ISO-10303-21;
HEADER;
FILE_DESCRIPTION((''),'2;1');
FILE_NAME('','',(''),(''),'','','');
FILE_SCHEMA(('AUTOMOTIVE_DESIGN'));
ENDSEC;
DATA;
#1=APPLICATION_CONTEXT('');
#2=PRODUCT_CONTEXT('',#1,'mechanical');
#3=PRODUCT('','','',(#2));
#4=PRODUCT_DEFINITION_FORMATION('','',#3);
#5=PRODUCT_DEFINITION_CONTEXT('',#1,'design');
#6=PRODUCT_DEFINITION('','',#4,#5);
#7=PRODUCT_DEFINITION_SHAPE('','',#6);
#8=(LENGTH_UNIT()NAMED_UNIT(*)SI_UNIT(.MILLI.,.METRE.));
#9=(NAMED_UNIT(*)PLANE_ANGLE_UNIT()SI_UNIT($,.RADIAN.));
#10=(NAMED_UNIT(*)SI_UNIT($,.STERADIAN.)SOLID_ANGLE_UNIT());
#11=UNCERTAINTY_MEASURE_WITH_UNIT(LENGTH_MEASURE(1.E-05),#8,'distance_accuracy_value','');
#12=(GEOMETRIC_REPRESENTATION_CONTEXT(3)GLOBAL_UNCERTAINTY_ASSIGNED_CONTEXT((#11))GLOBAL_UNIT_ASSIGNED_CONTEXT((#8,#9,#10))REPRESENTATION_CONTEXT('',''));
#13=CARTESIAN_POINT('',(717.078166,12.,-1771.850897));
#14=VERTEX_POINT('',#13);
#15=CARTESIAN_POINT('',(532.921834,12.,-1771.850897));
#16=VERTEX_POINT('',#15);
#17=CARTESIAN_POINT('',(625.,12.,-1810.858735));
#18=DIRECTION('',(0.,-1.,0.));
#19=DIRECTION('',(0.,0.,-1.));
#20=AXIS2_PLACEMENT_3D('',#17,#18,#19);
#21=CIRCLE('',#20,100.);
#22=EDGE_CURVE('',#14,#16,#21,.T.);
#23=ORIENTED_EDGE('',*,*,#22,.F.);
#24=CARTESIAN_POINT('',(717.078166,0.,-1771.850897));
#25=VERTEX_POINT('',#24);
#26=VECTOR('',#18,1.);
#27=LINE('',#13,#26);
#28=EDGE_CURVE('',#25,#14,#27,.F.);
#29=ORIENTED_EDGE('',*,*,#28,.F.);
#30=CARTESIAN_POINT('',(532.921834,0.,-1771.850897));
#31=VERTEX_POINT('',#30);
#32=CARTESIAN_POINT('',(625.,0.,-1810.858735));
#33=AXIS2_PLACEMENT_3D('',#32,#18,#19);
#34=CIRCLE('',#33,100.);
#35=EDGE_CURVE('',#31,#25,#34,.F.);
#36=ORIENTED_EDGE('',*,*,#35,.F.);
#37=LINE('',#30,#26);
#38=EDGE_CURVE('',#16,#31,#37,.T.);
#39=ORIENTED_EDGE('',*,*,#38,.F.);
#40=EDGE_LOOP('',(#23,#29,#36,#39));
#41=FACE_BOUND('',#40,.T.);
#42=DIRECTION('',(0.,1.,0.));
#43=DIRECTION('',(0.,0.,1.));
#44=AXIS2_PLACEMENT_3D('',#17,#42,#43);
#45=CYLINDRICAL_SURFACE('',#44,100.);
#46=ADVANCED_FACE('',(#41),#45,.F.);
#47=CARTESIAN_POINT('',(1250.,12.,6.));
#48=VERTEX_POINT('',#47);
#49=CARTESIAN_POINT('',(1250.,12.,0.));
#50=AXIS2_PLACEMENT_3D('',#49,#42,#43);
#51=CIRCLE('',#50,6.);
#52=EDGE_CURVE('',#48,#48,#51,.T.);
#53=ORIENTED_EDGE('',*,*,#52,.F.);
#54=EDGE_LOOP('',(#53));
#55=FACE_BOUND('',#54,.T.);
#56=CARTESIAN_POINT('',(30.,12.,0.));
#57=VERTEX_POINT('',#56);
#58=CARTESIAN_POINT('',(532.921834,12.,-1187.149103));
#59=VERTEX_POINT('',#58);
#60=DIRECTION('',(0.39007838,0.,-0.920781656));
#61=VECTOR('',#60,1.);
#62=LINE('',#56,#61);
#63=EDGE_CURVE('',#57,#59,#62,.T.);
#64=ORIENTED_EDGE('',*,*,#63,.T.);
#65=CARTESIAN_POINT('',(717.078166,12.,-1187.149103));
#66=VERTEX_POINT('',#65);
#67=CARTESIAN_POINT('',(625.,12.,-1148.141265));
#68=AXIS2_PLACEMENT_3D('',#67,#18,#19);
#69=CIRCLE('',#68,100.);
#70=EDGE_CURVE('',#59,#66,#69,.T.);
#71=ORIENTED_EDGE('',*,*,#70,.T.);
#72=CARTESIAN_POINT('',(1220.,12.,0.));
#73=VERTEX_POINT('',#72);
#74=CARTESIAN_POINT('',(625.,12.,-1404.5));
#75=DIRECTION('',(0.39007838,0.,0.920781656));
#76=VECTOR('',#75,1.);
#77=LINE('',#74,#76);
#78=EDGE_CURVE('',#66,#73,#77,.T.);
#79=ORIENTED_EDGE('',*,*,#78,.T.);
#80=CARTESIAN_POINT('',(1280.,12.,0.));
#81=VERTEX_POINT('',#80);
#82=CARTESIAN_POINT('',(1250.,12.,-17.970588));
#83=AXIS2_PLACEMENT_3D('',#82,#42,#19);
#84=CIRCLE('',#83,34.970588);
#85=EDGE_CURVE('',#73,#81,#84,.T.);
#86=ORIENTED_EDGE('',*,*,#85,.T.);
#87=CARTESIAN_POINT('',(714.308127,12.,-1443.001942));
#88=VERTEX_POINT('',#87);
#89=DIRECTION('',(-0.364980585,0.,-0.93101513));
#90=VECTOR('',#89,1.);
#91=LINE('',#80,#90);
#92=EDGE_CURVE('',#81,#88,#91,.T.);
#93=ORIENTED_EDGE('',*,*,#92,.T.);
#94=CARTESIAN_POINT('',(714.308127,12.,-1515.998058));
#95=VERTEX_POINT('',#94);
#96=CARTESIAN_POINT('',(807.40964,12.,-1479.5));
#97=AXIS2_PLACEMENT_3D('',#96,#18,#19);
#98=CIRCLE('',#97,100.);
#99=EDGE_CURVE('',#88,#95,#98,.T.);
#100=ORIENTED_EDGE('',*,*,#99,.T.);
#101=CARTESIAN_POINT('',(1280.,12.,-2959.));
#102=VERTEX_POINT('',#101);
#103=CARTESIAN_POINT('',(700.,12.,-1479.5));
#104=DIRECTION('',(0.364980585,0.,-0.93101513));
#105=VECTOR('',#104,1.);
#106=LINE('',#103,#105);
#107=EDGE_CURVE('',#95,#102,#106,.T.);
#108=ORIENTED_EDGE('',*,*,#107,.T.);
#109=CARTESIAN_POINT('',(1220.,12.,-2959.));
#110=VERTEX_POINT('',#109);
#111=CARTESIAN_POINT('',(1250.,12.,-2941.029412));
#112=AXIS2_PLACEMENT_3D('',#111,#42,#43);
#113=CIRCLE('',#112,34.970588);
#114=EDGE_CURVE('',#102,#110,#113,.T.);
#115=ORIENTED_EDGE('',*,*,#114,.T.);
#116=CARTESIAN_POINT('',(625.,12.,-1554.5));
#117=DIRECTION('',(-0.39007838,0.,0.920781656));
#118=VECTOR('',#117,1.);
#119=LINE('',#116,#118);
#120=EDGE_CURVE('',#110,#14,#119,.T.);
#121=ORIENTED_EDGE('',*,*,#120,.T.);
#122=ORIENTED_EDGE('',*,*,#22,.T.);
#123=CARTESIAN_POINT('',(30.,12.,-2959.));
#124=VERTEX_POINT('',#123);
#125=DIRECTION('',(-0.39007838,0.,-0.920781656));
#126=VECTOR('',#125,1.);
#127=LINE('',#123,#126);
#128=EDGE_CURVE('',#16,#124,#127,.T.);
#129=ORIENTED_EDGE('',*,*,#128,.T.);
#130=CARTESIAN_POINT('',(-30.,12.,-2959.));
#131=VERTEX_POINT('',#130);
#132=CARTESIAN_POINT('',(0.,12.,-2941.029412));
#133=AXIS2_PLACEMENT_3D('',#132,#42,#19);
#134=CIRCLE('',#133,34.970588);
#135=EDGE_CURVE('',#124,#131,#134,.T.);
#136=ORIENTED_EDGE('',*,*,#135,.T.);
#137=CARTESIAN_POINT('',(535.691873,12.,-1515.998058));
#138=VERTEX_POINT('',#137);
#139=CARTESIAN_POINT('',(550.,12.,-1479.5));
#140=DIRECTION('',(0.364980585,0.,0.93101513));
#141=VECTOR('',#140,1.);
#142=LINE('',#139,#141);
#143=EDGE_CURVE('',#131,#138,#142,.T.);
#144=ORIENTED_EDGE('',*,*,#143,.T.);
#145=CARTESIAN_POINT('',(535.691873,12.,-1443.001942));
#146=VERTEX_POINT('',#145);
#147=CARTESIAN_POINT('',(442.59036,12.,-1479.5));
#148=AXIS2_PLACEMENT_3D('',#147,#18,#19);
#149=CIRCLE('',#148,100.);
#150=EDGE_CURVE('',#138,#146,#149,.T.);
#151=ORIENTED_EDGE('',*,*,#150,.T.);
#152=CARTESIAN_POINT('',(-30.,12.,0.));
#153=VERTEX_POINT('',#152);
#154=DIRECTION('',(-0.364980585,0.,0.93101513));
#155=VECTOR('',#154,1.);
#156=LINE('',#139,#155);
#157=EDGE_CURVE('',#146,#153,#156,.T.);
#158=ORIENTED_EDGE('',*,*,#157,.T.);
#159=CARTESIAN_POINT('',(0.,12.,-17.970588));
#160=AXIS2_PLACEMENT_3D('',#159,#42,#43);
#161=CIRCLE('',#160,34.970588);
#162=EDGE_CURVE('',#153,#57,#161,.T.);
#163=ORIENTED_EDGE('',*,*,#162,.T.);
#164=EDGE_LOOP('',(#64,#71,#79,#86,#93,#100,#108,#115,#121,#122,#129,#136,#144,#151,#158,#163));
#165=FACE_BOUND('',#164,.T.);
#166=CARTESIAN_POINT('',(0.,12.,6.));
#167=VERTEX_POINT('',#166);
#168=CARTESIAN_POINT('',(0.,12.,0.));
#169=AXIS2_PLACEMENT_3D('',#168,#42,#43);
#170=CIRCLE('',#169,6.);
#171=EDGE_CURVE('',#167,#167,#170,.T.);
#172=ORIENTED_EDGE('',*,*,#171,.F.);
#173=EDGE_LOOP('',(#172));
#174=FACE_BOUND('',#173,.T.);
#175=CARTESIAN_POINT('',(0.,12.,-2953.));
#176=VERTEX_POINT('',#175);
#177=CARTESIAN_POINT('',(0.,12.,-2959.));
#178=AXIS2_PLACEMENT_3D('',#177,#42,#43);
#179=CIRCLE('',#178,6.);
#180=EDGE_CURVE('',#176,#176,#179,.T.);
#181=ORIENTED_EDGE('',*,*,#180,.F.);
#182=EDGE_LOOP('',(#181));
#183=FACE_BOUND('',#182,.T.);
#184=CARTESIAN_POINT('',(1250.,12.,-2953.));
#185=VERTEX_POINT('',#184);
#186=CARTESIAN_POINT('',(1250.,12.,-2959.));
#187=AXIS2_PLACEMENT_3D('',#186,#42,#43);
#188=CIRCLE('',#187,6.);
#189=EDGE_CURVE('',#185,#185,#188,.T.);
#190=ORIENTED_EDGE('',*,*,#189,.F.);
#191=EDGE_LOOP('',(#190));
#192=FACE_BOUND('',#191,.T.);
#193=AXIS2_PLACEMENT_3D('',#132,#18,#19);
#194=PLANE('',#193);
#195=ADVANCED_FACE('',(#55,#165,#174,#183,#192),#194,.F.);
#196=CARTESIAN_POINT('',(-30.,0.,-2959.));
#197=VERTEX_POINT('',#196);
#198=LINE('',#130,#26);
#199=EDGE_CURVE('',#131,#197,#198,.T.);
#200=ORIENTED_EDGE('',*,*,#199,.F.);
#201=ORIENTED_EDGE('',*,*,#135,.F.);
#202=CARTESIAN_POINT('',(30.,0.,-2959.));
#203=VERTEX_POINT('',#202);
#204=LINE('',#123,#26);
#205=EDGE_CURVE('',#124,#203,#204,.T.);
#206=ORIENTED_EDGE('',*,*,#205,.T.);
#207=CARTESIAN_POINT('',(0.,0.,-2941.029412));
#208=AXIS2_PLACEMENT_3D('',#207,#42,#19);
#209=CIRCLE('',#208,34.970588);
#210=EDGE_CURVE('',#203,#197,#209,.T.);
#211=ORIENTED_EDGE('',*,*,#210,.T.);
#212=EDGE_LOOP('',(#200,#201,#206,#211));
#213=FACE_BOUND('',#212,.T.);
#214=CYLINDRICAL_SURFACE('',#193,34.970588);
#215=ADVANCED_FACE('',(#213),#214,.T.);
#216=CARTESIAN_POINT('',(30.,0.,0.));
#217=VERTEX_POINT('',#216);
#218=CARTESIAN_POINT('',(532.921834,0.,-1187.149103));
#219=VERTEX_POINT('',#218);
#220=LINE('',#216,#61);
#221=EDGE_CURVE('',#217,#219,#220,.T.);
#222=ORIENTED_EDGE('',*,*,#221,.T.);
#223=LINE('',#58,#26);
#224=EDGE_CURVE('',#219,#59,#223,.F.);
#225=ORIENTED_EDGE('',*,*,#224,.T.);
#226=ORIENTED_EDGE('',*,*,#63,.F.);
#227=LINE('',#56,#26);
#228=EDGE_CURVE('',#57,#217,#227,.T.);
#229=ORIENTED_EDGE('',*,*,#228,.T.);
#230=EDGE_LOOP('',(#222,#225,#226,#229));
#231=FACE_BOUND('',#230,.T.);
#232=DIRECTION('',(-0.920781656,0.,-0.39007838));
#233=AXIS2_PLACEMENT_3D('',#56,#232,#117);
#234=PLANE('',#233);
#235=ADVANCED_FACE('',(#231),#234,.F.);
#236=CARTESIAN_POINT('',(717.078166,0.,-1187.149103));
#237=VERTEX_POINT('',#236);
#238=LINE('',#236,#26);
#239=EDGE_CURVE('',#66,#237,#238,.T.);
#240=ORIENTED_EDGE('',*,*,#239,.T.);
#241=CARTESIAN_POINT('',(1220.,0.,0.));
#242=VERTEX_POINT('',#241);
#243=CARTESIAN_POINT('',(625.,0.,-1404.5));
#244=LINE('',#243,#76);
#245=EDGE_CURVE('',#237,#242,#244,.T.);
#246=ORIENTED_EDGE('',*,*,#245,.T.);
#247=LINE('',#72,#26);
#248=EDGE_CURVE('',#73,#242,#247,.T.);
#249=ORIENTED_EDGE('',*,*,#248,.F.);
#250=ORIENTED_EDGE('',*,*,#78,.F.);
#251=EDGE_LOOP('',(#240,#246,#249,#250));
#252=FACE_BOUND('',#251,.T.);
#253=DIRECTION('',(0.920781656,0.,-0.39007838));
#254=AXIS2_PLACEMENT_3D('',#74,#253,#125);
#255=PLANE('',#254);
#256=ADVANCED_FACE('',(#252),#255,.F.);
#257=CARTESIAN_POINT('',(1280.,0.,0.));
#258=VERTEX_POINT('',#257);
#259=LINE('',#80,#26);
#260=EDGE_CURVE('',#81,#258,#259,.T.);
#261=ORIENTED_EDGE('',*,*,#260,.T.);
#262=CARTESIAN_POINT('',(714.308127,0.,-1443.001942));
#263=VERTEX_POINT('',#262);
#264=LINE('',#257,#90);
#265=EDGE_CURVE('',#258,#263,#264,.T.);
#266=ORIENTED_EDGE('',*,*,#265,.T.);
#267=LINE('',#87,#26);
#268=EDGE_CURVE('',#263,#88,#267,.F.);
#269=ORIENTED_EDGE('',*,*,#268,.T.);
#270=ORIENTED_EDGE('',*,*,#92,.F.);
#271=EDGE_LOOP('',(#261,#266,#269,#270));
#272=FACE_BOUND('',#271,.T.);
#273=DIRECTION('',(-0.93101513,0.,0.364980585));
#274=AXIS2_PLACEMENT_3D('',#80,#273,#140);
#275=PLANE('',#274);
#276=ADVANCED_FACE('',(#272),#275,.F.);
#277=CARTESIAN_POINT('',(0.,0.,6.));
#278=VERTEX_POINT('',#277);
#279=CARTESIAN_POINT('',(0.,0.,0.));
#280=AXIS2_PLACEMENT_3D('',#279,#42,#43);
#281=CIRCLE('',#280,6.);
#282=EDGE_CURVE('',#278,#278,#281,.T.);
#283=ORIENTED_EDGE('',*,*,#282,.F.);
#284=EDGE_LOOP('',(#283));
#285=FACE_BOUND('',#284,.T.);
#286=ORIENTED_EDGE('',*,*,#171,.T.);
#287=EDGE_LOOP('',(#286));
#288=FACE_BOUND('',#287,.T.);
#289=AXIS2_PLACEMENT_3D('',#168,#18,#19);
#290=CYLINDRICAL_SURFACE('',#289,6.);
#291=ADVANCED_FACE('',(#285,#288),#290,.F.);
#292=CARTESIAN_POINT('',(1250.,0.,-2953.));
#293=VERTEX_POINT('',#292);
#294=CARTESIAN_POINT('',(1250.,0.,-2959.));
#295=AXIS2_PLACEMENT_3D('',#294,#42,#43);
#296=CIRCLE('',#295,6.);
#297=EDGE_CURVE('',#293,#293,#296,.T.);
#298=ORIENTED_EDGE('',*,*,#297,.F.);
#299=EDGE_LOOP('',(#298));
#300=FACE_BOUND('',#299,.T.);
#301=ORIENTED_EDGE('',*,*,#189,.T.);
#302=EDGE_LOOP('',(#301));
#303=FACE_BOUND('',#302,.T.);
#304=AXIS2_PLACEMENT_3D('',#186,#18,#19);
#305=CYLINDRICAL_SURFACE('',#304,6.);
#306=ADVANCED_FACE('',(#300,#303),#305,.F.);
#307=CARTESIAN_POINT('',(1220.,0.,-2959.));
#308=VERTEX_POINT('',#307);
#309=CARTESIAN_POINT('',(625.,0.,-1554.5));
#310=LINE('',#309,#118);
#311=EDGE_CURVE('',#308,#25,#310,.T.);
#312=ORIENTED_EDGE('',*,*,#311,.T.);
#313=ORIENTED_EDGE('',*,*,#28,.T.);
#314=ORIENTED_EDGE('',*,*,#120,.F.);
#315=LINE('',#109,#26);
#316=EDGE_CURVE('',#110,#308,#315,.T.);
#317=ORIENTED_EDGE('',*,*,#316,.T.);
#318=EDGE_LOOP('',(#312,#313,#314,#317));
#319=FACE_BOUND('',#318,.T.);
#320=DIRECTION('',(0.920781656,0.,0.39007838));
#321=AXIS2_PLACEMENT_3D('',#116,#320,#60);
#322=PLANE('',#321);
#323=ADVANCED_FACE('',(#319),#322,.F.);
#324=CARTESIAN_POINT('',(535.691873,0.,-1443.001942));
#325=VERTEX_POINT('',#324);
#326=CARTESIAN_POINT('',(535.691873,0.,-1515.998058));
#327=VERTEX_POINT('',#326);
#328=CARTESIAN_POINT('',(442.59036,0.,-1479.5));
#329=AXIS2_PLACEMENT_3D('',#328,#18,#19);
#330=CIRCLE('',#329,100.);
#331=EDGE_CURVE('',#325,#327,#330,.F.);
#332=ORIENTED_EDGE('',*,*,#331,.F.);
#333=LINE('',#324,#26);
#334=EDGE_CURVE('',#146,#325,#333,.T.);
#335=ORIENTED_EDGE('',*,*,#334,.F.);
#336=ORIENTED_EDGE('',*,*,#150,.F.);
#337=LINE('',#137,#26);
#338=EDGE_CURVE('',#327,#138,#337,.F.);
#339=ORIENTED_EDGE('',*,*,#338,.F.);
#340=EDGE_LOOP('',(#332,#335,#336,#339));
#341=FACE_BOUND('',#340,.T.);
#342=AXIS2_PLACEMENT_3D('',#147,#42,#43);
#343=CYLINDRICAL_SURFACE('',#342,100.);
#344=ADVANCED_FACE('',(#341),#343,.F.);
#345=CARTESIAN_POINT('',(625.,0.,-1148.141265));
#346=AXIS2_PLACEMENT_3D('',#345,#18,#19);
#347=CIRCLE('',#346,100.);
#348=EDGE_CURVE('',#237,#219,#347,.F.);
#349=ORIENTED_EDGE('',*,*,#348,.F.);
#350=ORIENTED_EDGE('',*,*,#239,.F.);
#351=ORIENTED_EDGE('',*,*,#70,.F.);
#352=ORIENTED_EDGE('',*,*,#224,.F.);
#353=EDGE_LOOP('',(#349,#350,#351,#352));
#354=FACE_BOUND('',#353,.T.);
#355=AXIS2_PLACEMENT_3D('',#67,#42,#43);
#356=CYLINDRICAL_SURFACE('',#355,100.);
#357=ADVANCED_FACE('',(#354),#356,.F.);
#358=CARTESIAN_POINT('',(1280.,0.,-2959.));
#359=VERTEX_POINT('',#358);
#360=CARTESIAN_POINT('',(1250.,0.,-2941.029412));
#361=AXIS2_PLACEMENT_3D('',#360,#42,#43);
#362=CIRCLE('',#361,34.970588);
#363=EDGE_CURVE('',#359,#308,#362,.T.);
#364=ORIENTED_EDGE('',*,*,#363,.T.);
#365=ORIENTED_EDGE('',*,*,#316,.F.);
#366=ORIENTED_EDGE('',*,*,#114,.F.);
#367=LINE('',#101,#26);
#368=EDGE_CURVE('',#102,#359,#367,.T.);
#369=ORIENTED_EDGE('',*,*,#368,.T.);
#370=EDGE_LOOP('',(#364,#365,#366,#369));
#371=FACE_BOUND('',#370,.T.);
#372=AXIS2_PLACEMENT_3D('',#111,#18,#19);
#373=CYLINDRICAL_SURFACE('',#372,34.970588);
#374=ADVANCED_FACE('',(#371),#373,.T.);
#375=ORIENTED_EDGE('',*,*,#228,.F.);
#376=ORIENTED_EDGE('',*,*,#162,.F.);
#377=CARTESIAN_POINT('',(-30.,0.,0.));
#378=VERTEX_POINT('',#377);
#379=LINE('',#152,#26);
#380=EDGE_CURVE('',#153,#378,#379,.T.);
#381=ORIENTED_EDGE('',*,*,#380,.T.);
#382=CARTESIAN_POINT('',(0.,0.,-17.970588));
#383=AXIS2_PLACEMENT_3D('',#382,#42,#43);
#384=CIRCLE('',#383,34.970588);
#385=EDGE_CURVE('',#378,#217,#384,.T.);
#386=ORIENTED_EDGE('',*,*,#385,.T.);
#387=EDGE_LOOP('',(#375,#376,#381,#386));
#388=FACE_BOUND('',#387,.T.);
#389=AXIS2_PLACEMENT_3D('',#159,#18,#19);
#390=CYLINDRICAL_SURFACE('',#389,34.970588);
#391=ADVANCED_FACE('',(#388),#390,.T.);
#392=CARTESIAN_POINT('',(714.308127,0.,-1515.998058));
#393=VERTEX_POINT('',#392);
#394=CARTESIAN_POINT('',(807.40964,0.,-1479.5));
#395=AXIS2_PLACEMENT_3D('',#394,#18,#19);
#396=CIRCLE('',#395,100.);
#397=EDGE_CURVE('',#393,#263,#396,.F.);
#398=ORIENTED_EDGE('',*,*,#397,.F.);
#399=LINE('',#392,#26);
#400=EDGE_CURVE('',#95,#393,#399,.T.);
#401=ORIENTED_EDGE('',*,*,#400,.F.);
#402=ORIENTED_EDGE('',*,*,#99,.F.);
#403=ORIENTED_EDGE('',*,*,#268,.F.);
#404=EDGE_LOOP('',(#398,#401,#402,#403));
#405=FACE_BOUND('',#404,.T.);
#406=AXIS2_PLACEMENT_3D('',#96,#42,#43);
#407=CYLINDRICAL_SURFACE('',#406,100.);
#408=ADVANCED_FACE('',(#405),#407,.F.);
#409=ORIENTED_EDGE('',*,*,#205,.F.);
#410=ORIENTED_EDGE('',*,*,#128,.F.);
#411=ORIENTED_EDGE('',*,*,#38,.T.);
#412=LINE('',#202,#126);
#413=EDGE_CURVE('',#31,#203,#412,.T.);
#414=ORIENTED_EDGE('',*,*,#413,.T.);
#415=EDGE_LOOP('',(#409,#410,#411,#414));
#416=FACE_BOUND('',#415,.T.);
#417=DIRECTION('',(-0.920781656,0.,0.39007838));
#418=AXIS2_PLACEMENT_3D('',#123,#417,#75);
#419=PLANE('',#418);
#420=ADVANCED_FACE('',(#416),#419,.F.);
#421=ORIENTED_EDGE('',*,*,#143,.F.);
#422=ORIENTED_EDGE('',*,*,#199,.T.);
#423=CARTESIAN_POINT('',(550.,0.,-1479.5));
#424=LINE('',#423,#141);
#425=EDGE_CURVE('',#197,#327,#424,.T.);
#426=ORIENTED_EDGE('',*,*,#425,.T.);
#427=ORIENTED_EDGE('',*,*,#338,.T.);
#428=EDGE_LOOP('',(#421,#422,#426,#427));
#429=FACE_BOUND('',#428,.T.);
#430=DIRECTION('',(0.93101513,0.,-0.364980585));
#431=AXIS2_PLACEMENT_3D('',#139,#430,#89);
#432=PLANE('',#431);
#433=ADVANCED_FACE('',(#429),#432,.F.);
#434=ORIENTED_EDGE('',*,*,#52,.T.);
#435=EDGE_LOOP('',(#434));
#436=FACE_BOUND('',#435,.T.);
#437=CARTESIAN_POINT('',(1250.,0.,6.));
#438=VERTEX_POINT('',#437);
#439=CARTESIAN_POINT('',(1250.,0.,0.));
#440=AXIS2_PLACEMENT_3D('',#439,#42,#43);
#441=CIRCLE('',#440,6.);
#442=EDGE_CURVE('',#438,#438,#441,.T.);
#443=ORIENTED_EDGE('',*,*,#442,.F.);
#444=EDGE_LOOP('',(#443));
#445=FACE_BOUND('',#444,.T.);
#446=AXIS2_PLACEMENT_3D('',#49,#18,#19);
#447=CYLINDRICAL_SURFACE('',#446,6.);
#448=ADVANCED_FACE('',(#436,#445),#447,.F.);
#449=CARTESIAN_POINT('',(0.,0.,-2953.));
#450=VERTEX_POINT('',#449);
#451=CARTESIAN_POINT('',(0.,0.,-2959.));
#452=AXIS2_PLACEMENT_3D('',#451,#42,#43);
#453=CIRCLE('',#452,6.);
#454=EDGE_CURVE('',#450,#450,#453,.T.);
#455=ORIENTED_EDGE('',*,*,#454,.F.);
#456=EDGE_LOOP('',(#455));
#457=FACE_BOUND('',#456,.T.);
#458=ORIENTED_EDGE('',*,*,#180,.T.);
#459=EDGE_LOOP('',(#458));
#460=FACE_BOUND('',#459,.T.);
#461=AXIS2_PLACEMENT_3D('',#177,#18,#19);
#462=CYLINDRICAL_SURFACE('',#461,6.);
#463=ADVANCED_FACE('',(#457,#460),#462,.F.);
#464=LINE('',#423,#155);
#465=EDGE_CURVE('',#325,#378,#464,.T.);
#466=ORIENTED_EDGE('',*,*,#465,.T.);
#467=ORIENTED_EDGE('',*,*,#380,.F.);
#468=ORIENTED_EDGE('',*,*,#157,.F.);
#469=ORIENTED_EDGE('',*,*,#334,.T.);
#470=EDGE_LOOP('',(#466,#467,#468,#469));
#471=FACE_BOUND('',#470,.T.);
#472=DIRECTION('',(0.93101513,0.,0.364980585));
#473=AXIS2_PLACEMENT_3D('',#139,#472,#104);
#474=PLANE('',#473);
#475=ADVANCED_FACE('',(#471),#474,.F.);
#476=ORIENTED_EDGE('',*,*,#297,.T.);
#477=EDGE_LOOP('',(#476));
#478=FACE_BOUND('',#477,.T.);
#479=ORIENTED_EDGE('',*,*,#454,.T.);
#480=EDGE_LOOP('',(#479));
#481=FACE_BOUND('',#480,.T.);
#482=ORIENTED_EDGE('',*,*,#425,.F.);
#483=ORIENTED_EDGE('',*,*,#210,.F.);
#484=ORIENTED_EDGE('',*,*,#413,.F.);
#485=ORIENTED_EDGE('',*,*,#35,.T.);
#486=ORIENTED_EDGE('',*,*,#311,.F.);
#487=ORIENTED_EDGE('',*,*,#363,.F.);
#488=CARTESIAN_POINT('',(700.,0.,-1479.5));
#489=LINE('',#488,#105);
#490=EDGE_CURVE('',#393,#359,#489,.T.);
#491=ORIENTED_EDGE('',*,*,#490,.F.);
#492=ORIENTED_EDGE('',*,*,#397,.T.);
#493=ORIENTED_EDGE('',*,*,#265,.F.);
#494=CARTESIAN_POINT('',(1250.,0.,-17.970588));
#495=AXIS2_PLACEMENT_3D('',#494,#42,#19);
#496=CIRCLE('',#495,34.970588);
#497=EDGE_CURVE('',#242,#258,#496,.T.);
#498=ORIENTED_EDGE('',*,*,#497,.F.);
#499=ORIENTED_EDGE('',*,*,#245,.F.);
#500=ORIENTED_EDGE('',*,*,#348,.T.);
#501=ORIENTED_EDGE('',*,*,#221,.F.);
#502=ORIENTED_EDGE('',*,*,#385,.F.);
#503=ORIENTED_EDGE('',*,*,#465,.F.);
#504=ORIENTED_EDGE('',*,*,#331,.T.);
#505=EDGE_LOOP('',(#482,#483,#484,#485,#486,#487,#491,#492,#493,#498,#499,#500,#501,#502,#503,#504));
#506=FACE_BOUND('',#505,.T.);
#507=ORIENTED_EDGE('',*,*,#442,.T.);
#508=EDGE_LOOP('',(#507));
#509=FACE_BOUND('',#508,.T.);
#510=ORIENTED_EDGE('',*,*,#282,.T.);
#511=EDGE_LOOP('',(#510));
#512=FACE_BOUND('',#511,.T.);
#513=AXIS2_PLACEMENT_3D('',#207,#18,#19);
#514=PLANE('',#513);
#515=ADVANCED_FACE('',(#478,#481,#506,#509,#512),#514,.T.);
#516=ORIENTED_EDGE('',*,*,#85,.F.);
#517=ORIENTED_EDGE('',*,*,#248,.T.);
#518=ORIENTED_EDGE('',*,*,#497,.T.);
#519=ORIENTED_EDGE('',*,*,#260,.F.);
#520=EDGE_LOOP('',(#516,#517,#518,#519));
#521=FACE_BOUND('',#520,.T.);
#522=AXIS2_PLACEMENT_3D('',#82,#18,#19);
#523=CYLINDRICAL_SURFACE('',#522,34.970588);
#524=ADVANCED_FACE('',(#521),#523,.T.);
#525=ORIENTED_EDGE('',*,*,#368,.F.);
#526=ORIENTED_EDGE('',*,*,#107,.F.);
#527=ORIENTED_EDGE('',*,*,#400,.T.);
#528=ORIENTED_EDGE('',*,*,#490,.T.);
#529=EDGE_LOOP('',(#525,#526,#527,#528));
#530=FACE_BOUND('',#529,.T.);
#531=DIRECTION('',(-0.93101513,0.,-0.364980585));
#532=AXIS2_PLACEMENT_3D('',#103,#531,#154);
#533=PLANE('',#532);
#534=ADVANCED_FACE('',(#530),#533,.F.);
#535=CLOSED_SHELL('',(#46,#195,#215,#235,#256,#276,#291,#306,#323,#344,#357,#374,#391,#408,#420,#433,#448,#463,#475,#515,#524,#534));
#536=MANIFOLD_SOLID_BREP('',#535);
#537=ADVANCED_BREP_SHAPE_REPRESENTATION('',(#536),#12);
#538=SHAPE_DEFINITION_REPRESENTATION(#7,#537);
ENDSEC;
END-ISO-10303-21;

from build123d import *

# Parameters (mm, degrees)
SKETCH1_R           = 6
BOSS_EXTRUDE1_DEPTH = 12
FILLET1_R           = 100


with BuildPart() as part:
    # Sketch1 → Boss-Extrude1 (new body)
    with BuildSketch(Plane(origin=(0, 0, 0), x_dir=(1, 0, 0), z_dir=(0, 1, 0))):
        with BuildLine():
            Line((550, 1479.5), (-30, 2959))
            ThreePointArc((-30, 2959), (0, 2976), (30, 2959))
            Line((30, 2959), (625, 1554.5))
            Line((625, 1554.5), (1220, 2959))
            ThreePointArc((1220, 2959), (1250, 2976), (1280, 2959))
            Line((1280, 2959), (700, 1479.5))
            Line((700, 1479.5), (1280, 0))
            ThreePointArc((1280, 0), (1250, -17), (1220, 0))
            Line((1220, 0), (625, 1404.5))
            Line((625, 1404.5), (30, 0))
            ThreePointArc((30, 0), (0, -17), (-30, 0))
            Line((-30, 0), (550, 1479.5))
        make_face()
        with Locations(Location((0, 2959, 0), (0, 0, 270))):
            Circle(SKETCH1_R, mode=Mode.SUBTRACT)
        with Locations(Location((1250, 2959, 0), (0, 0, 270))):
            Circle(SKETCH1_R, mode=Mode.SUBTRACT)
        with Locations(Location((1250, 0, 0), (0, 0, 270))):
            Circle(SKETCH1_R, mode=Mode.SUBTRACT)
        with Locations(Location((0, 0, 0), (0, 0, 270))):
            Circle(SKETCH1_R, mode=Mode.SUBTRACT)
    extrude(amount=BOSS_EXTRUDE1_DEPTH)

    # Fillet1
    fillet1_edges = [part.edges().sort_by_distance(p)[0] for p in [
        (625, 6, -1554.5),
        (700, 6, -1479.5),
        (625, 6, -1404.5),
        (550, 6, -1479.5),
    ]]
    fillet(fillet1_edges, radius=FILLET1_R)


solid = part.part
